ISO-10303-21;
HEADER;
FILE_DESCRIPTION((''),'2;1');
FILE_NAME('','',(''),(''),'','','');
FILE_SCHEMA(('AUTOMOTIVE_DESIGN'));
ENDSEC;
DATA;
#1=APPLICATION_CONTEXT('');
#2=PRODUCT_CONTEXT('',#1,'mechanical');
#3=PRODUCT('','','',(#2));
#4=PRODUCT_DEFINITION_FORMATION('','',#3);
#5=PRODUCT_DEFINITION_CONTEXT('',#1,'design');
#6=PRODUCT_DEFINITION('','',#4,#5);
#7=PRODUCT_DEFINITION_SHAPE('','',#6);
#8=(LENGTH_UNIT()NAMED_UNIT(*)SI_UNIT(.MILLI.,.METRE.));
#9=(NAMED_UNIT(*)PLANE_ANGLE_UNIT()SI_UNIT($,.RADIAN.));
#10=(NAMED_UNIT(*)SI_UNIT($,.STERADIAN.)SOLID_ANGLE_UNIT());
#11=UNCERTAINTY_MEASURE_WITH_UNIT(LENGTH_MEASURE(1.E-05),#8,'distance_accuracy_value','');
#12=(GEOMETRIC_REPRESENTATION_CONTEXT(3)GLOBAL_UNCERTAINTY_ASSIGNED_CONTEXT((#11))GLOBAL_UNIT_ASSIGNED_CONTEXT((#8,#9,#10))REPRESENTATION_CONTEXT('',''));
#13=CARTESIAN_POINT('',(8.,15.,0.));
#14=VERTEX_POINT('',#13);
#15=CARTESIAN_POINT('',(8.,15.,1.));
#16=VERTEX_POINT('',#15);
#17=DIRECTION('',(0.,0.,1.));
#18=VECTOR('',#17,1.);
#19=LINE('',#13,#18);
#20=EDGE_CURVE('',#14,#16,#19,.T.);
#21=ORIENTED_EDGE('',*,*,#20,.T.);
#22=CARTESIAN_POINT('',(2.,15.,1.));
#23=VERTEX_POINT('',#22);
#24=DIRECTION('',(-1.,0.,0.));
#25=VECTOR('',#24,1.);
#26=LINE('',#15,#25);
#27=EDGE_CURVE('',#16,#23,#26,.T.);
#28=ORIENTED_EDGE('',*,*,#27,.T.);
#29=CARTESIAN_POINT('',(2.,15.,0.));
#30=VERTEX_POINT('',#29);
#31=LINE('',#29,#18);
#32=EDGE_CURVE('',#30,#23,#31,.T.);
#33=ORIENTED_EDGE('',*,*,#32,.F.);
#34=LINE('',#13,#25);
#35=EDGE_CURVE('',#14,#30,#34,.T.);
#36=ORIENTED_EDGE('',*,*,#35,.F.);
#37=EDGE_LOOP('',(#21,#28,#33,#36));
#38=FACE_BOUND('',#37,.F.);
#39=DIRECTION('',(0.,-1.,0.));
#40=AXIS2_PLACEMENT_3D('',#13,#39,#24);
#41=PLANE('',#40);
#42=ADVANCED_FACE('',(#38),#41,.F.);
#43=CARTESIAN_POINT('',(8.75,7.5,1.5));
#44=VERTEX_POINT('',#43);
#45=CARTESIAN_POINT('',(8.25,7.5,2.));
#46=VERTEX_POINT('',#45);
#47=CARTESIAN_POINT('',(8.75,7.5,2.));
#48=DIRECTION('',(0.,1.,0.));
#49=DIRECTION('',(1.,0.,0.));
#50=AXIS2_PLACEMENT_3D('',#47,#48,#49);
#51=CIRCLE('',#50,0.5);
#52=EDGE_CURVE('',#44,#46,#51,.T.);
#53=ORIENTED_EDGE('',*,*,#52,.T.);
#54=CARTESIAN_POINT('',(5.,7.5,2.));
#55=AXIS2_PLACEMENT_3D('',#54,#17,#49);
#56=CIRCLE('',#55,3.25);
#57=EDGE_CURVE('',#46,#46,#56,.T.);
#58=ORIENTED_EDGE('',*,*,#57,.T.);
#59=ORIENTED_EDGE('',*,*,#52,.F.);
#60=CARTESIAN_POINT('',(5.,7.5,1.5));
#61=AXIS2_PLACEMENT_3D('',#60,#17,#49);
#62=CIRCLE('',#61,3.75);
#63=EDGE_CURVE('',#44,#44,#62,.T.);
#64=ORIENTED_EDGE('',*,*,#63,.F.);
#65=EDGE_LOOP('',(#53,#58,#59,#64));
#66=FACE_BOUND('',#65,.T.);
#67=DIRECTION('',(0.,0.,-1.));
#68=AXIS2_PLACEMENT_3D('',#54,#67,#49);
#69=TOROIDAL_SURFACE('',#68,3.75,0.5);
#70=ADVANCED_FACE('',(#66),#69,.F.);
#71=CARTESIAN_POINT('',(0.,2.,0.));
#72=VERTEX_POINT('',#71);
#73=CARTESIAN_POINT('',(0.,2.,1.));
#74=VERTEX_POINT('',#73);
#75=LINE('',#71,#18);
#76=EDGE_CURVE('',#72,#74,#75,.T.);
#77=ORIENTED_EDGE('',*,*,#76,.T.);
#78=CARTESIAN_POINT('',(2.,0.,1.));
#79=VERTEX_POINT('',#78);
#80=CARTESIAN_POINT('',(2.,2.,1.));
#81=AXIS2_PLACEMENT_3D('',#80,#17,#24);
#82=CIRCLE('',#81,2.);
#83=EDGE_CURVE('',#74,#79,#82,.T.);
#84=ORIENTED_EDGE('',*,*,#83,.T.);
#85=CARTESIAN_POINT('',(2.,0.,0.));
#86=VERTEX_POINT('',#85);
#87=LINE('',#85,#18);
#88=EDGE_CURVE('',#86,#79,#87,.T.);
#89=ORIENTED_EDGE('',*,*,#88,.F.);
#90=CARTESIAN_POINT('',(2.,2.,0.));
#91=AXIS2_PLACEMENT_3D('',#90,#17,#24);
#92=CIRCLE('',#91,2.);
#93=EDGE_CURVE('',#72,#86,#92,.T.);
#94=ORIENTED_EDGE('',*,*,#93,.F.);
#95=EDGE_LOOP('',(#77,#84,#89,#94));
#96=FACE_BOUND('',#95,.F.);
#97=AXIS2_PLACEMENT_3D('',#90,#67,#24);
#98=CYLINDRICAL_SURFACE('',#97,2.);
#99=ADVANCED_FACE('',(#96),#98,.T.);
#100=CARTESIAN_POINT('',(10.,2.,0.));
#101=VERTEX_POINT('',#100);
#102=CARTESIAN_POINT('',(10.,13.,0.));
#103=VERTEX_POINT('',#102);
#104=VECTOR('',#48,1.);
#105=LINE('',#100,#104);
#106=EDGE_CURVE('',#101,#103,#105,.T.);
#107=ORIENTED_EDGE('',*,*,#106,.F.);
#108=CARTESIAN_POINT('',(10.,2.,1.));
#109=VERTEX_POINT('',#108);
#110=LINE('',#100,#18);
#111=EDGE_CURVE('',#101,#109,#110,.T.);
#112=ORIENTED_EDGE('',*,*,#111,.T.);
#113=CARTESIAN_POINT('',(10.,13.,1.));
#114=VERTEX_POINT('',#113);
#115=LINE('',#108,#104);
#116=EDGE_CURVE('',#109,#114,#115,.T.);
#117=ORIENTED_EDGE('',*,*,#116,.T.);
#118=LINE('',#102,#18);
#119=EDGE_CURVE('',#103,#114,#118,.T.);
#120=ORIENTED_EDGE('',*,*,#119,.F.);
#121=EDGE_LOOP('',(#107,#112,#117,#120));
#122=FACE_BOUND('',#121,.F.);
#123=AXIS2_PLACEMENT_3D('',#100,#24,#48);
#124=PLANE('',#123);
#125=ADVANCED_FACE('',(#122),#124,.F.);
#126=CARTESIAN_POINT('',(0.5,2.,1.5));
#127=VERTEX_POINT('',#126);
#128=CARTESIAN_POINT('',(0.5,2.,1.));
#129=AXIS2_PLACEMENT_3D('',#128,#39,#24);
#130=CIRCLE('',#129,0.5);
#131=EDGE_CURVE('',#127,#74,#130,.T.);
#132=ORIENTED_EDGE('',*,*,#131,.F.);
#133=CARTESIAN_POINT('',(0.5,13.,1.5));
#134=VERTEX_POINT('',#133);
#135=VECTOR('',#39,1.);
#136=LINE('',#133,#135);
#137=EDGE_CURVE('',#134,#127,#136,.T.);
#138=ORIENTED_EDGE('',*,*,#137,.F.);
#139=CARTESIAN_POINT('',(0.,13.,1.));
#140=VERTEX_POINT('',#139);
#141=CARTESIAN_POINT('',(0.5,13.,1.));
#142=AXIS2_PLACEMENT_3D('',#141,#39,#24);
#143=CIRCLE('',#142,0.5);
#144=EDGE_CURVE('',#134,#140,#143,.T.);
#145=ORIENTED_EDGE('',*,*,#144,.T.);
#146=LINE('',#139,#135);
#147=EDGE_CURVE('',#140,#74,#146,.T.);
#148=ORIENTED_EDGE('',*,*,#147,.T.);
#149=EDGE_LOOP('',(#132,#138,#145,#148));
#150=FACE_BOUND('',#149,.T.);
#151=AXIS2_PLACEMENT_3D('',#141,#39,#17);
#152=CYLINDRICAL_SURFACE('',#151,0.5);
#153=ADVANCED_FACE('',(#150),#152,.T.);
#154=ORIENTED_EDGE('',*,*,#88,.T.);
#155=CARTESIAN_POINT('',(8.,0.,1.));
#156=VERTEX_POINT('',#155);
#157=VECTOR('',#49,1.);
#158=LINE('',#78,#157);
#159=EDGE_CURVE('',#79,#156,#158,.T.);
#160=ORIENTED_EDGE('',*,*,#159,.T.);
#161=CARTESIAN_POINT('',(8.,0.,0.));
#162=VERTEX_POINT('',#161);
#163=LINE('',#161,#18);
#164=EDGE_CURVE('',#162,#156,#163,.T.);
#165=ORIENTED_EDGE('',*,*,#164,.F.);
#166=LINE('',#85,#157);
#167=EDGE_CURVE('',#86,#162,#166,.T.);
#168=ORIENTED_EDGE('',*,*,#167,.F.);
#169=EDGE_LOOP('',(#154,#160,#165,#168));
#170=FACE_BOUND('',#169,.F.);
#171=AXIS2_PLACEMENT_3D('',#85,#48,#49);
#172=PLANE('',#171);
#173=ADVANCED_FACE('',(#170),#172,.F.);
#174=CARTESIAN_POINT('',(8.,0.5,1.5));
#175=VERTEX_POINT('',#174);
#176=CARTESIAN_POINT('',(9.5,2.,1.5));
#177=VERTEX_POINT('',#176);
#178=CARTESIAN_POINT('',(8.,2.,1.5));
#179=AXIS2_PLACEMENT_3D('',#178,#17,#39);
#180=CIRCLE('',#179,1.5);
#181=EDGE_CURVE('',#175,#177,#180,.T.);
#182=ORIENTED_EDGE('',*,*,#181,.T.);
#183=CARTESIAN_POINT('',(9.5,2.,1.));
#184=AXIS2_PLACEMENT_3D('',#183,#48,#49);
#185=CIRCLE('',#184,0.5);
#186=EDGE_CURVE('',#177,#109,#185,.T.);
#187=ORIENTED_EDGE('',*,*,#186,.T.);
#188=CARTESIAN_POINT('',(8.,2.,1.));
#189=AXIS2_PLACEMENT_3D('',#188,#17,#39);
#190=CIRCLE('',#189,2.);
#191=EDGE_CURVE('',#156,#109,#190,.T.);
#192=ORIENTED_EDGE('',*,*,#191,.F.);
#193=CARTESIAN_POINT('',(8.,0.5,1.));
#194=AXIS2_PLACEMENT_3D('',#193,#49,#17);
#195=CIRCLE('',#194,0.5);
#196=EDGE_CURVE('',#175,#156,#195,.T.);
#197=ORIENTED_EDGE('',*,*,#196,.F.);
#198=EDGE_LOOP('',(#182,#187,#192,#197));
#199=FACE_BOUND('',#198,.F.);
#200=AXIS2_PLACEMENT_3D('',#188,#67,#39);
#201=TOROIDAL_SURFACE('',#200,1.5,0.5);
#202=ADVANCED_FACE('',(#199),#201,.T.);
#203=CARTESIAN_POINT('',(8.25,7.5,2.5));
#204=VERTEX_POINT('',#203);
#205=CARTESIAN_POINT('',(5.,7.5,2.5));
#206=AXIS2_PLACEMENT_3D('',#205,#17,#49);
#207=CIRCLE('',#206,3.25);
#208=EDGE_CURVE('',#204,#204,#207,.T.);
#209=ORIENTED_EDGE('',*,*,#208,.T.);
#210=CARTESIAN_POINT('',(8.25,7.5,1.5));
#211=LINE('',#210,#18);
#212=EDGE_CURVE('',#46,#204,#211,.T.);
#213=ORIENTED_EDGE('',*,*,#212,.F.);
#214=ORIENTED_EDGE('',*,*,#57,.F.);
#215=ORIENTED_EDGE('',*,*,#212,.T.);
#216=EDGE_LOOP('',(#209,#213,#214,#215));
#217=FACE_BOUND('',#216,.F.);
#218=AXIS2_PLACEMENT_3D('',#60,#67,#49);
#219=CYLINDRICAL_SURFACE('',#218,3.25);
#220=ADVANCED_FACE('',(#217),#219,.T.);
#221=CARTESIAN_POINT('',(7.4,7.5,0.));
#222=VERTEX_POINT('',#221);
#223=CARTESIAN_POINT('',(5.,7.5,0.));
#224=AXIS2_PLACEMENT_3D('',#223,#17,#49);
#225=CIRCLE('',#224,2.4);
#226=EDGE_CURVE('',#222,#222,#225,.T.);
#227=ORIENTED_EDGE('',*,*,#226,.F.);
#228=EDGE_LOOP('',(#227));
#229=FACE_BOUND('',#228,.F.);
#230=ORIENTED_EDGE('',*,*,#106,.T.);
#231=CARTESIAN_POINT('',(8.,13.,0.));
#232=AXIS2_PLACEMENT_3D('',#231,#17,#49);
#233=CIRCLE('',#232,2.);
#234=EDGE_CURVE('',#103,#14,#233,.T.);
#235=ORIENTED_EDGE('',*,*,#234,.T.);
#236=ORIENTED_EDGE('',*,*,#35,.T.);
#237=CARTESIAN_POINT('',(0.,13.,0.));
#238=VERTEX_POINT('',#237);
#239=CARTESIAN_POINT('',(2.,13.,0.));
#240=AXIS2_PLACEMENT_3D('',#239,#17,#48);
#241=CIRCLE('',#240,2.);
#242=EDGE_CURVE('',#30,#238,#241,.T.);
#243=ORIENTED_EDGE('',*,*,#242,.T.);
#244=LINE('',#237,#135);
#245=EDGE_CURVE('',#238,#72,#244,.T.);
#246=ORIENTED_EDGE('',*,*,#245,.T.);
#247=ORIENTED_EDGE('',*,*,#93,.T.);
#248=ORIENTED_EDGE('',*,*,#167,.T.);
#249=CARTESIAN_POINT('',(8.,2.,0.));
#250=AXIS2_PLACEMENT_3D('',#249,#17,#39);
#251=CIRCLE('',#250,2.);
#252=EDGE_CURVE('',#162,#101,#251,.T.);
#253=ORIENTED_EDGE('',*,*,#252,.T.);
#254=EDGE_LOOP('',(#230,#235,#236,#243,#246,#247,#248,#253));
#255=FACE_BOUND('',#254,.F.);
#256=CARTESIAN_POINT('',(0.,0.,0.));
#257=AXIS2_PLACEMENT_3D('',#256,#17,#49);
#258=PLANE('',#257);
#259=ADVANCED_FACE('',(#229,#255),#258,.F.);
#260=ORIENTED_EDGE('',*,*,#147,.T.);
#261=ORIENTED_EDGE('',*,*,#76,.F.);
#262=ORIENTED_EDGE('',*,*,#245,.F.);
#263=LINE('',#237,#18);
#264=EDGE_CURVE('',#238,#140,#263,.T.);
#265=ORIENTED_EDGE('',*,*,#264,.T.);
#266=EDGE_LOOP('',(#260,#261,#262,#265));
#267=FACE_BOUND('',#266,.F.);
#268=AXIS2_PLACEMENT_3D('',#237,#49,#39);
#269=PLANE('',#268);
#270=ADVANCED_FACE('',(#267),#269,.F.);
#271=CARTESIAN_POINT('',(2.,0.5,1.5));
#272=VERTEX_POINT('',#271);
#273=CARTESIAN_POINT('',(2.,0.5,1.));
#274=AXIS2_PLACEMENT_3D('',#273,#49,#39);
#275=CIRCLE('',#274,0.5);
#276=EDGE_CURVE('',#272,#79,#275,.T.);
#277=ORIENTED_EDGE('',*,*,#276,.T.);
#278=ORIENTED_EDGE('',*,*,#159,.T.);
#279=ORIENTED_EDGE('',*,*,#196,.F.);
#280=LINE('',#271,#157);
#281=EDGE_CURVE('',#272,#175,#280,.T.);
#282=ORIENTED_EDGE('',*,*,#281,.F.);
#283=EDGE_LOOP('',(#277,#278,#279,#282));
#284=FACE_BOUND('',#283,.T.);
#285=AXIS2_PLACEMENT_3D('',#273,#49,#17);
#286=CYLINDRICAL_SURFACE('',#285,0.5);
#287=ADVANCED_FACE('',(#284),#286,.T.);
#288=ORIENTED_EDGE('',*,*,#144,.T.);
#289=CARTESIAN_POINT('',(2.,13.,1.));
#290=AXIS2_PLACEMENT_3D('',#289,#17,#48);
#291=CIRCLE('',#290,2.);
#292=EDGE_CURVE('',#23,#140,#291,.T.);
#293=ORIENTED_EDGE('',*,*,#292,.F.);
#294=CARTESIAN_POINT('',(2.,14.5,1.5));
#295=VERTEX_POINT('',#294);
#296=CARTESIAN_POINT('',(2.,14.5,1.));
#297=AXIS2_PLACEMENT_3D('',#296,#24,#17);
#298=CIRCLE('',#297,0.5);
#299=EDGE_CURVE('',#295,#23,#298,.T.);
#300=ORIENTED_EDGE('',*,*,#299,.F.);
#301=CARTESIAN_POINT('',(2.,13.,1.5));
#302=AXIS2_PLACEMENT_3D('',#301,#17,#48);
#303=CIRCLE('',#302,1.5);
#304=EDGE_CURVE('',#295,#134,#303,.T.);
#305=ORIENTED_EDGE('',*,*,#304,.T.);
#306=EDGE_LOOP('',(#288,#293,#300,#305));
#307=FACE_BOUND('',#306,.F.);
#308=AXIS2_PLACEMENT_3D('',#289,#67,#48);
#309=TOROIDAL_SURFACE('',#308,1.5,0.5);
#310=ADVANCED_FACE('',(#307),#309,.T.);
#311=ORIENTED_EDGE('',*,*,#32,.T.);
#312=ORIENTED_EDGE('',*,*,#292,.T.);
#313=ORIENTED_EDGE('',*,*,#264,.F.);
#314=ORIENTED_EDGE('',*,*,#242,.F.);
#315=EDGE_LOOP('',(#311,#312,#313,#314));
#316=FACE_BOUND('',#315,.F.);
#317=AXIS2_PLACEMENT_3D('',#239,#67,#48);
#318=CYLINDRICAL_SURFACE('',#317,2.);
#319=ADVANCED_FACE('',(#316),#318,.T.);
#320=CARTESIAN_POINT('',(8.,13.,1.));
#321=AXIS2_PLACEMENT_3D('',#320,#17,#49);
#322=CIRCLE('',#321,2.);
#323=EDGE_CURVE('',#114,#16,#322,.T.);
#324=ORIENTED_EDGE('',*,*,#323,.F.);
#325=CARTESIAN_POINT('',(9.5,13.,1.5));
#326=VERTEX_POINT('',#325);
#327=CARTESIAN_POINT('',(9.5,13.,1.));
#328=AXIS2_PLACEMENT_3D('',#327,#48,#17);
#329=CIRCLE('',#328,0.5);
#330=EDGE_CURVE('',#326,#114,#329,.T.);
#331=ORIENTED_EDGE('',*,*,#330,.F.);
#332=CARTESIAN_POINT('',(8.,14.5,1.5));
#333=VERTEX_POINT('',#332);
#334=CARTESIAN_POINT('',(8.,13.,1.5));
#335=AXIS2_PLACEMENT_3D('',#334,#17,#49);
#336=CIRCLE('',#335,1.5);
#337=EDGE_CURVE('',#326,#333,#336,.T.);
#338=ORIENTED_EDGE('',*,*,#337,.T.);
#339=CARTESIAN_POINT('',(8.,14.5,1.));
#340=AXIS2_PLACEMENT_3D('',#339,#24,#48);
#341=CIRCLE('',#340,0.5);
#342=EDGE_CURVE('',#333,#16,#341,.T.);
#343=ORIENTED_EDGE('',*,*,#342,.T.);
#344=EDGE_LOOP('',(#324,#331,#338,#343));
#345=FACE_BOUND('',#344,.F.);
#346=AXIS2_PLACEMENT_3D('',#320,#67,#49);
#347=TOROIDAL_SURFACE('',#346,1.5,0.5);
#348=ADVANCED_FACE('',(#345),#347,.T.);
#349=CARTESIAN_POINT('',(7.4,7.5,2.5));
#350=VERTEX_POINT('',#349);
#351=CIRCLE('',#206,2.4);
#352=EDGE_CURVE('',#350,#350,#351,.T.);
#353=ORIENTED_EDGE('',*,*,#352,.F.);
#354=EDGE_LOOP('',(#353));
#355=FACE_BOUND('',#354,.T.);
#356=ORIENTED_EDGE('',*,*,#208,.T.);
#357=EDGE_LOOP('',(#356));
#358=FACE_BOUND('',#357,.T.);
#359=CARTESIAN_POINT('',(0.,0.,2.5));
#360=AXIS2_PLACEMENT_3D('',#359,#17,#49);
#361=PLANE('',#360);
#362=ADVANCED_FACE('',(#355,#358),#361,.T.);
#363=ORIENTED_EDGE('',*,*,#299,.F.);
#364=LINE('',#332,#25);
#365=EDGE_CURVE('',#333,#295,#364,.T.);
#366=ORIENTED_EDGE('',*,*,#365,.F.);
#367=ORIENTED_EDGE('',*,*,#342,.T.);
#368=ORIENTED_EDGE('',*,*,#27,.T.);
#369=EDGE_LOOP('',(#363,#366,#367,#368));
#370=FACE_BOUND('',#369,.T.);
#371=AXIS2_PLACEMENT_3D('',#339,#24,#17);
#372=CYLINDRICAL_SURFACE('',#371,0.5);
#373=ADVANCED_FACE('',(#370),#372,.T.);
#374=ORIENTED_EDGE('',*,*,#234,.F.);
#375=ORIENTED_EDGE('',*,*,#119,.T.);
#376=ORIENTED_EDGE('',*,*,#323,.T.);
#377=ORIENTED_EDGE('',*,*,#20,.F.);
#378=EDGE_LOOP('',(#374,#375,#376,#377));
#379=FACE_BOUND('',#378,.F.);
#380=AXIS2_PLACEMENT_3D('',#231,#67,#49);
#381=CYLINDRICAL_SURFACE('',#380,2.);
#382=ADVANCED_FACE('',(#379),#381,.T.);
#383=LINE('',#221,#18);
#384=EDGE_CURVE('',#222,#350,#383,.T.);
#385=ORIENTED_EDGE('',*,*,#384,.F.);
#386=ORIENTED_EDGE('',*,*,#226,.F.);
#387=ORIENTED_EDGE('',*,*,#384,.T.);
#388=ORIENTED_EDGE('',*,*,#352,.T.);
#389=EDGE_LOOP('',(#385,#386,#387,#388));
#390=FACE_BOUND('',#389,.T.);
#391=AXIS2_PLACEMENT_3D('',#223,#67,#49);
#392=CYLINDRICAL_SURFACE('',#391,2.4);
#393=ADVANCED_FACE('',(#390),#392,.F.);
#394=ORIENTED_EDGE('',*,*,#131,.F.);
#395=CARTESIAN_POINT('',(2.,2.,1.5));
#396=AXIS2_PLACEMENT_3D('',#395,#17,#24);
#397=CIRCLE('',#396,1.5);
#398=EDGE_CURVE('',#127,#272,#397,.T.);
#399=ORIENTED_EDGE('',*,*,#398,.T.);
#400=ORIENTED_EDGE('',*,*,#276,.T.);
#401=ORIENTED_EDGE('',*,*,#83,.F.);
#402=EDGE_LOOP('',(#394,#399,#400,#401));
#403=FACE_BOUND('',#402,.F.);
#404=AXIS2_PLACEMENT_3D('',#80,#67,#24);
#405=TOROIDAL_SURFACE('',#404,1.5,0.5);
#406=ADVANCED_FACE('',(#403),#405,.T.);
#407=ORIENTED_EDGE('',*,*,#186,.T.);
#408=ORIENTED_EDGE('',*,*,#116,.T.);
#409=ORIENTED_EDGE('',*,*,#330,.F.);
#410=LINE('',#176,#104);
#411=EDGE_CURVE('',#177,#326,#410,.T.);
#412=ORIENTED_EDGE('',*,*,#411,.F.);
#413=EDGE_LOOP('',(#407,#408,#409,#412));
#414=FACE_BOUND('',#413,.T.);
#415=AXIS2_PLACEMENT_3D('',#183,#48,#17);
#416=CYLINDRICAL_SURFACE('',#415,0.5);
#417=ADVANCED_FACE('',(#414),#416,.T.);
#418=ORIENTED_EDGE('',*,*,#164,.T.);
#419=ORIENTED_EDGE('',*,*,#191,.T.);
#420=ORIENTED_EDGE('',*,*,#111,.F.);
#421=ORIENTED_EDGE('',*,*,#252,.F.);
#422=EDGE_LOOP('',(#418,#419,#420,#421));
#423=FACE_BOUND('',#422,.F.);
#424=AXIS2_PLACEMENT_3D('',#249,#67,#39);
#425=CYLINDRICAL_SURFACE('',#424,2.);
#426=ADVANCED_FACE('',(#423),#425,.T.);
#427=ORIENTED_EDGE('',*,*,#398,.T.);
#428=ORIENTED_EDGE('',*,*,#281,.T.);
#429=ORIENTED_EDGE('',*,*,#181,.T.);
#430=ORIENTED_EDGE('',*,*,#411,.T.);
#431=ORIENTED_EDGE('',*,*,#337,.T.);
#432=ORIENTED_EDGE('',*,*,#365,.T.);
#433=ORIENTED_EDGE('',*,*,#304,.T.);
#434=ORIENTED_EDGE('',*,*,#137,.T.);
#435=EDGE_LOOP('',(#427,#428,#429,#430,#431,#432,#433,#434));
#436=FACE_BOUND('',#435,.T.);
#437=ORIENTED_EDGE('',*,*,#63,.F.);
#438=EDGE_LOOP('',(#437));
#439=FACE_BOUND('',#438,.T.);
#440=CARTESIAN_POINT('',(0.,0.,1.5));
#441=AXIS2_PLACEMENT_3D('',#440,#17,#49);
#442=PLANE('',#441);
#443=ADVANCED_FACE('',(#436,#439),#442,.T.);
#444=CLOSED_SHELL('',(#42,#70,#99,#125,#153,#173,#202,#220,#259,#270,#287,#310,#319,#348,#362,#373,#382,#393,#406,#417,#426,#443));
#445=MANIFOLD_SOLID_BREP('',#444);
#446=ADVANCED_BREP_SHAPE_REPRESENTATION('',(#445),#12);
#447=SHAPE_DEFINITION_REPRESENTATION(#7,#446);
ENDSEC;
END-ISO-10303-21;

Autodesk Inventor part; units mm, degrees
ref_plane "YZ Plane" through (0, 0, 0) normal (1, 0, 0) x (0, 1, 0)
ref_plane "XZ Plane" through (0, 0, 0) normal (0, 1, 0) x (-1, 0, 0)
ref_plane "XY Plane" through (0, 0, 0) normal (0, 0, 1) x (1, 0, 0)
sketch "Sketch1" plane through (0, 0, 0) normal (0, 0, 1) x (1, 0, 0)
  line L0 (2, 0) -> (8, 0)
  line L1 (10, 2) -> (10, 13)
  line L2 (8, 15) -> (2, 15)
  line L3 (0, 13) -> (0, 2)
  circle A0 centre (5, 7.5) radius 2.4
  arc A1 (10, 13) -> (8, 15) centre (8, 13) ccw
  arc A2 (2, 15) -> (0, 13) centre (2, 13) ccw
  arc A3 (0, 2) -> (2, 0) centre (2, 2) ccw
  arc A4 (8, 0) -> (10, 2) centre (8, 2) ccw
  point P0 (0, 0)
  point P1 (10, 15)
  point P2 (10, 0)
  point P3 (0, 15)
  dimension "d0" = 10
  dimension "d1" = 15
  dimension "d2" = 4.8
  dimension "d3" = 2
extrude "Extrusion1" add sketch "Sketch1" along normal blind 1.5
sketch "Sketch2" plane through (0, 0, 1.5) normal (0, 0, 1) x (1, 0, 0)
  circle A0 centre (5, 7.5) radius 2.4 projected
  circle A1 centre (5, 7.5) radius 3.25
  point P0 (0, 0)
  dimension "d6" = 6.5
extrude "Extrusion2" add sketch "Sketch2" along normal blind 1
fillet "Fillet1" radius 0.5 1 edges at (1.75, 7.5, 1.5)
thread "Thread1" size "M5x0.8" class "6H" standard "ANSI Metric M Profile" full length
fillet "Fillet2" radius 0.5 8 edges at (0.5858, 0.5858, 1.5) (5, 0, 1.5) (9.4142, 0.5858, 1.5) (10, 7.5, 1.5) (9.4142, 14.4142, 1.5) (5, 15, 1.5) (0.5858, 14.4142, 1.5) (0, 7.5, 1.5)
properties part number "M5 Tee Nut"
